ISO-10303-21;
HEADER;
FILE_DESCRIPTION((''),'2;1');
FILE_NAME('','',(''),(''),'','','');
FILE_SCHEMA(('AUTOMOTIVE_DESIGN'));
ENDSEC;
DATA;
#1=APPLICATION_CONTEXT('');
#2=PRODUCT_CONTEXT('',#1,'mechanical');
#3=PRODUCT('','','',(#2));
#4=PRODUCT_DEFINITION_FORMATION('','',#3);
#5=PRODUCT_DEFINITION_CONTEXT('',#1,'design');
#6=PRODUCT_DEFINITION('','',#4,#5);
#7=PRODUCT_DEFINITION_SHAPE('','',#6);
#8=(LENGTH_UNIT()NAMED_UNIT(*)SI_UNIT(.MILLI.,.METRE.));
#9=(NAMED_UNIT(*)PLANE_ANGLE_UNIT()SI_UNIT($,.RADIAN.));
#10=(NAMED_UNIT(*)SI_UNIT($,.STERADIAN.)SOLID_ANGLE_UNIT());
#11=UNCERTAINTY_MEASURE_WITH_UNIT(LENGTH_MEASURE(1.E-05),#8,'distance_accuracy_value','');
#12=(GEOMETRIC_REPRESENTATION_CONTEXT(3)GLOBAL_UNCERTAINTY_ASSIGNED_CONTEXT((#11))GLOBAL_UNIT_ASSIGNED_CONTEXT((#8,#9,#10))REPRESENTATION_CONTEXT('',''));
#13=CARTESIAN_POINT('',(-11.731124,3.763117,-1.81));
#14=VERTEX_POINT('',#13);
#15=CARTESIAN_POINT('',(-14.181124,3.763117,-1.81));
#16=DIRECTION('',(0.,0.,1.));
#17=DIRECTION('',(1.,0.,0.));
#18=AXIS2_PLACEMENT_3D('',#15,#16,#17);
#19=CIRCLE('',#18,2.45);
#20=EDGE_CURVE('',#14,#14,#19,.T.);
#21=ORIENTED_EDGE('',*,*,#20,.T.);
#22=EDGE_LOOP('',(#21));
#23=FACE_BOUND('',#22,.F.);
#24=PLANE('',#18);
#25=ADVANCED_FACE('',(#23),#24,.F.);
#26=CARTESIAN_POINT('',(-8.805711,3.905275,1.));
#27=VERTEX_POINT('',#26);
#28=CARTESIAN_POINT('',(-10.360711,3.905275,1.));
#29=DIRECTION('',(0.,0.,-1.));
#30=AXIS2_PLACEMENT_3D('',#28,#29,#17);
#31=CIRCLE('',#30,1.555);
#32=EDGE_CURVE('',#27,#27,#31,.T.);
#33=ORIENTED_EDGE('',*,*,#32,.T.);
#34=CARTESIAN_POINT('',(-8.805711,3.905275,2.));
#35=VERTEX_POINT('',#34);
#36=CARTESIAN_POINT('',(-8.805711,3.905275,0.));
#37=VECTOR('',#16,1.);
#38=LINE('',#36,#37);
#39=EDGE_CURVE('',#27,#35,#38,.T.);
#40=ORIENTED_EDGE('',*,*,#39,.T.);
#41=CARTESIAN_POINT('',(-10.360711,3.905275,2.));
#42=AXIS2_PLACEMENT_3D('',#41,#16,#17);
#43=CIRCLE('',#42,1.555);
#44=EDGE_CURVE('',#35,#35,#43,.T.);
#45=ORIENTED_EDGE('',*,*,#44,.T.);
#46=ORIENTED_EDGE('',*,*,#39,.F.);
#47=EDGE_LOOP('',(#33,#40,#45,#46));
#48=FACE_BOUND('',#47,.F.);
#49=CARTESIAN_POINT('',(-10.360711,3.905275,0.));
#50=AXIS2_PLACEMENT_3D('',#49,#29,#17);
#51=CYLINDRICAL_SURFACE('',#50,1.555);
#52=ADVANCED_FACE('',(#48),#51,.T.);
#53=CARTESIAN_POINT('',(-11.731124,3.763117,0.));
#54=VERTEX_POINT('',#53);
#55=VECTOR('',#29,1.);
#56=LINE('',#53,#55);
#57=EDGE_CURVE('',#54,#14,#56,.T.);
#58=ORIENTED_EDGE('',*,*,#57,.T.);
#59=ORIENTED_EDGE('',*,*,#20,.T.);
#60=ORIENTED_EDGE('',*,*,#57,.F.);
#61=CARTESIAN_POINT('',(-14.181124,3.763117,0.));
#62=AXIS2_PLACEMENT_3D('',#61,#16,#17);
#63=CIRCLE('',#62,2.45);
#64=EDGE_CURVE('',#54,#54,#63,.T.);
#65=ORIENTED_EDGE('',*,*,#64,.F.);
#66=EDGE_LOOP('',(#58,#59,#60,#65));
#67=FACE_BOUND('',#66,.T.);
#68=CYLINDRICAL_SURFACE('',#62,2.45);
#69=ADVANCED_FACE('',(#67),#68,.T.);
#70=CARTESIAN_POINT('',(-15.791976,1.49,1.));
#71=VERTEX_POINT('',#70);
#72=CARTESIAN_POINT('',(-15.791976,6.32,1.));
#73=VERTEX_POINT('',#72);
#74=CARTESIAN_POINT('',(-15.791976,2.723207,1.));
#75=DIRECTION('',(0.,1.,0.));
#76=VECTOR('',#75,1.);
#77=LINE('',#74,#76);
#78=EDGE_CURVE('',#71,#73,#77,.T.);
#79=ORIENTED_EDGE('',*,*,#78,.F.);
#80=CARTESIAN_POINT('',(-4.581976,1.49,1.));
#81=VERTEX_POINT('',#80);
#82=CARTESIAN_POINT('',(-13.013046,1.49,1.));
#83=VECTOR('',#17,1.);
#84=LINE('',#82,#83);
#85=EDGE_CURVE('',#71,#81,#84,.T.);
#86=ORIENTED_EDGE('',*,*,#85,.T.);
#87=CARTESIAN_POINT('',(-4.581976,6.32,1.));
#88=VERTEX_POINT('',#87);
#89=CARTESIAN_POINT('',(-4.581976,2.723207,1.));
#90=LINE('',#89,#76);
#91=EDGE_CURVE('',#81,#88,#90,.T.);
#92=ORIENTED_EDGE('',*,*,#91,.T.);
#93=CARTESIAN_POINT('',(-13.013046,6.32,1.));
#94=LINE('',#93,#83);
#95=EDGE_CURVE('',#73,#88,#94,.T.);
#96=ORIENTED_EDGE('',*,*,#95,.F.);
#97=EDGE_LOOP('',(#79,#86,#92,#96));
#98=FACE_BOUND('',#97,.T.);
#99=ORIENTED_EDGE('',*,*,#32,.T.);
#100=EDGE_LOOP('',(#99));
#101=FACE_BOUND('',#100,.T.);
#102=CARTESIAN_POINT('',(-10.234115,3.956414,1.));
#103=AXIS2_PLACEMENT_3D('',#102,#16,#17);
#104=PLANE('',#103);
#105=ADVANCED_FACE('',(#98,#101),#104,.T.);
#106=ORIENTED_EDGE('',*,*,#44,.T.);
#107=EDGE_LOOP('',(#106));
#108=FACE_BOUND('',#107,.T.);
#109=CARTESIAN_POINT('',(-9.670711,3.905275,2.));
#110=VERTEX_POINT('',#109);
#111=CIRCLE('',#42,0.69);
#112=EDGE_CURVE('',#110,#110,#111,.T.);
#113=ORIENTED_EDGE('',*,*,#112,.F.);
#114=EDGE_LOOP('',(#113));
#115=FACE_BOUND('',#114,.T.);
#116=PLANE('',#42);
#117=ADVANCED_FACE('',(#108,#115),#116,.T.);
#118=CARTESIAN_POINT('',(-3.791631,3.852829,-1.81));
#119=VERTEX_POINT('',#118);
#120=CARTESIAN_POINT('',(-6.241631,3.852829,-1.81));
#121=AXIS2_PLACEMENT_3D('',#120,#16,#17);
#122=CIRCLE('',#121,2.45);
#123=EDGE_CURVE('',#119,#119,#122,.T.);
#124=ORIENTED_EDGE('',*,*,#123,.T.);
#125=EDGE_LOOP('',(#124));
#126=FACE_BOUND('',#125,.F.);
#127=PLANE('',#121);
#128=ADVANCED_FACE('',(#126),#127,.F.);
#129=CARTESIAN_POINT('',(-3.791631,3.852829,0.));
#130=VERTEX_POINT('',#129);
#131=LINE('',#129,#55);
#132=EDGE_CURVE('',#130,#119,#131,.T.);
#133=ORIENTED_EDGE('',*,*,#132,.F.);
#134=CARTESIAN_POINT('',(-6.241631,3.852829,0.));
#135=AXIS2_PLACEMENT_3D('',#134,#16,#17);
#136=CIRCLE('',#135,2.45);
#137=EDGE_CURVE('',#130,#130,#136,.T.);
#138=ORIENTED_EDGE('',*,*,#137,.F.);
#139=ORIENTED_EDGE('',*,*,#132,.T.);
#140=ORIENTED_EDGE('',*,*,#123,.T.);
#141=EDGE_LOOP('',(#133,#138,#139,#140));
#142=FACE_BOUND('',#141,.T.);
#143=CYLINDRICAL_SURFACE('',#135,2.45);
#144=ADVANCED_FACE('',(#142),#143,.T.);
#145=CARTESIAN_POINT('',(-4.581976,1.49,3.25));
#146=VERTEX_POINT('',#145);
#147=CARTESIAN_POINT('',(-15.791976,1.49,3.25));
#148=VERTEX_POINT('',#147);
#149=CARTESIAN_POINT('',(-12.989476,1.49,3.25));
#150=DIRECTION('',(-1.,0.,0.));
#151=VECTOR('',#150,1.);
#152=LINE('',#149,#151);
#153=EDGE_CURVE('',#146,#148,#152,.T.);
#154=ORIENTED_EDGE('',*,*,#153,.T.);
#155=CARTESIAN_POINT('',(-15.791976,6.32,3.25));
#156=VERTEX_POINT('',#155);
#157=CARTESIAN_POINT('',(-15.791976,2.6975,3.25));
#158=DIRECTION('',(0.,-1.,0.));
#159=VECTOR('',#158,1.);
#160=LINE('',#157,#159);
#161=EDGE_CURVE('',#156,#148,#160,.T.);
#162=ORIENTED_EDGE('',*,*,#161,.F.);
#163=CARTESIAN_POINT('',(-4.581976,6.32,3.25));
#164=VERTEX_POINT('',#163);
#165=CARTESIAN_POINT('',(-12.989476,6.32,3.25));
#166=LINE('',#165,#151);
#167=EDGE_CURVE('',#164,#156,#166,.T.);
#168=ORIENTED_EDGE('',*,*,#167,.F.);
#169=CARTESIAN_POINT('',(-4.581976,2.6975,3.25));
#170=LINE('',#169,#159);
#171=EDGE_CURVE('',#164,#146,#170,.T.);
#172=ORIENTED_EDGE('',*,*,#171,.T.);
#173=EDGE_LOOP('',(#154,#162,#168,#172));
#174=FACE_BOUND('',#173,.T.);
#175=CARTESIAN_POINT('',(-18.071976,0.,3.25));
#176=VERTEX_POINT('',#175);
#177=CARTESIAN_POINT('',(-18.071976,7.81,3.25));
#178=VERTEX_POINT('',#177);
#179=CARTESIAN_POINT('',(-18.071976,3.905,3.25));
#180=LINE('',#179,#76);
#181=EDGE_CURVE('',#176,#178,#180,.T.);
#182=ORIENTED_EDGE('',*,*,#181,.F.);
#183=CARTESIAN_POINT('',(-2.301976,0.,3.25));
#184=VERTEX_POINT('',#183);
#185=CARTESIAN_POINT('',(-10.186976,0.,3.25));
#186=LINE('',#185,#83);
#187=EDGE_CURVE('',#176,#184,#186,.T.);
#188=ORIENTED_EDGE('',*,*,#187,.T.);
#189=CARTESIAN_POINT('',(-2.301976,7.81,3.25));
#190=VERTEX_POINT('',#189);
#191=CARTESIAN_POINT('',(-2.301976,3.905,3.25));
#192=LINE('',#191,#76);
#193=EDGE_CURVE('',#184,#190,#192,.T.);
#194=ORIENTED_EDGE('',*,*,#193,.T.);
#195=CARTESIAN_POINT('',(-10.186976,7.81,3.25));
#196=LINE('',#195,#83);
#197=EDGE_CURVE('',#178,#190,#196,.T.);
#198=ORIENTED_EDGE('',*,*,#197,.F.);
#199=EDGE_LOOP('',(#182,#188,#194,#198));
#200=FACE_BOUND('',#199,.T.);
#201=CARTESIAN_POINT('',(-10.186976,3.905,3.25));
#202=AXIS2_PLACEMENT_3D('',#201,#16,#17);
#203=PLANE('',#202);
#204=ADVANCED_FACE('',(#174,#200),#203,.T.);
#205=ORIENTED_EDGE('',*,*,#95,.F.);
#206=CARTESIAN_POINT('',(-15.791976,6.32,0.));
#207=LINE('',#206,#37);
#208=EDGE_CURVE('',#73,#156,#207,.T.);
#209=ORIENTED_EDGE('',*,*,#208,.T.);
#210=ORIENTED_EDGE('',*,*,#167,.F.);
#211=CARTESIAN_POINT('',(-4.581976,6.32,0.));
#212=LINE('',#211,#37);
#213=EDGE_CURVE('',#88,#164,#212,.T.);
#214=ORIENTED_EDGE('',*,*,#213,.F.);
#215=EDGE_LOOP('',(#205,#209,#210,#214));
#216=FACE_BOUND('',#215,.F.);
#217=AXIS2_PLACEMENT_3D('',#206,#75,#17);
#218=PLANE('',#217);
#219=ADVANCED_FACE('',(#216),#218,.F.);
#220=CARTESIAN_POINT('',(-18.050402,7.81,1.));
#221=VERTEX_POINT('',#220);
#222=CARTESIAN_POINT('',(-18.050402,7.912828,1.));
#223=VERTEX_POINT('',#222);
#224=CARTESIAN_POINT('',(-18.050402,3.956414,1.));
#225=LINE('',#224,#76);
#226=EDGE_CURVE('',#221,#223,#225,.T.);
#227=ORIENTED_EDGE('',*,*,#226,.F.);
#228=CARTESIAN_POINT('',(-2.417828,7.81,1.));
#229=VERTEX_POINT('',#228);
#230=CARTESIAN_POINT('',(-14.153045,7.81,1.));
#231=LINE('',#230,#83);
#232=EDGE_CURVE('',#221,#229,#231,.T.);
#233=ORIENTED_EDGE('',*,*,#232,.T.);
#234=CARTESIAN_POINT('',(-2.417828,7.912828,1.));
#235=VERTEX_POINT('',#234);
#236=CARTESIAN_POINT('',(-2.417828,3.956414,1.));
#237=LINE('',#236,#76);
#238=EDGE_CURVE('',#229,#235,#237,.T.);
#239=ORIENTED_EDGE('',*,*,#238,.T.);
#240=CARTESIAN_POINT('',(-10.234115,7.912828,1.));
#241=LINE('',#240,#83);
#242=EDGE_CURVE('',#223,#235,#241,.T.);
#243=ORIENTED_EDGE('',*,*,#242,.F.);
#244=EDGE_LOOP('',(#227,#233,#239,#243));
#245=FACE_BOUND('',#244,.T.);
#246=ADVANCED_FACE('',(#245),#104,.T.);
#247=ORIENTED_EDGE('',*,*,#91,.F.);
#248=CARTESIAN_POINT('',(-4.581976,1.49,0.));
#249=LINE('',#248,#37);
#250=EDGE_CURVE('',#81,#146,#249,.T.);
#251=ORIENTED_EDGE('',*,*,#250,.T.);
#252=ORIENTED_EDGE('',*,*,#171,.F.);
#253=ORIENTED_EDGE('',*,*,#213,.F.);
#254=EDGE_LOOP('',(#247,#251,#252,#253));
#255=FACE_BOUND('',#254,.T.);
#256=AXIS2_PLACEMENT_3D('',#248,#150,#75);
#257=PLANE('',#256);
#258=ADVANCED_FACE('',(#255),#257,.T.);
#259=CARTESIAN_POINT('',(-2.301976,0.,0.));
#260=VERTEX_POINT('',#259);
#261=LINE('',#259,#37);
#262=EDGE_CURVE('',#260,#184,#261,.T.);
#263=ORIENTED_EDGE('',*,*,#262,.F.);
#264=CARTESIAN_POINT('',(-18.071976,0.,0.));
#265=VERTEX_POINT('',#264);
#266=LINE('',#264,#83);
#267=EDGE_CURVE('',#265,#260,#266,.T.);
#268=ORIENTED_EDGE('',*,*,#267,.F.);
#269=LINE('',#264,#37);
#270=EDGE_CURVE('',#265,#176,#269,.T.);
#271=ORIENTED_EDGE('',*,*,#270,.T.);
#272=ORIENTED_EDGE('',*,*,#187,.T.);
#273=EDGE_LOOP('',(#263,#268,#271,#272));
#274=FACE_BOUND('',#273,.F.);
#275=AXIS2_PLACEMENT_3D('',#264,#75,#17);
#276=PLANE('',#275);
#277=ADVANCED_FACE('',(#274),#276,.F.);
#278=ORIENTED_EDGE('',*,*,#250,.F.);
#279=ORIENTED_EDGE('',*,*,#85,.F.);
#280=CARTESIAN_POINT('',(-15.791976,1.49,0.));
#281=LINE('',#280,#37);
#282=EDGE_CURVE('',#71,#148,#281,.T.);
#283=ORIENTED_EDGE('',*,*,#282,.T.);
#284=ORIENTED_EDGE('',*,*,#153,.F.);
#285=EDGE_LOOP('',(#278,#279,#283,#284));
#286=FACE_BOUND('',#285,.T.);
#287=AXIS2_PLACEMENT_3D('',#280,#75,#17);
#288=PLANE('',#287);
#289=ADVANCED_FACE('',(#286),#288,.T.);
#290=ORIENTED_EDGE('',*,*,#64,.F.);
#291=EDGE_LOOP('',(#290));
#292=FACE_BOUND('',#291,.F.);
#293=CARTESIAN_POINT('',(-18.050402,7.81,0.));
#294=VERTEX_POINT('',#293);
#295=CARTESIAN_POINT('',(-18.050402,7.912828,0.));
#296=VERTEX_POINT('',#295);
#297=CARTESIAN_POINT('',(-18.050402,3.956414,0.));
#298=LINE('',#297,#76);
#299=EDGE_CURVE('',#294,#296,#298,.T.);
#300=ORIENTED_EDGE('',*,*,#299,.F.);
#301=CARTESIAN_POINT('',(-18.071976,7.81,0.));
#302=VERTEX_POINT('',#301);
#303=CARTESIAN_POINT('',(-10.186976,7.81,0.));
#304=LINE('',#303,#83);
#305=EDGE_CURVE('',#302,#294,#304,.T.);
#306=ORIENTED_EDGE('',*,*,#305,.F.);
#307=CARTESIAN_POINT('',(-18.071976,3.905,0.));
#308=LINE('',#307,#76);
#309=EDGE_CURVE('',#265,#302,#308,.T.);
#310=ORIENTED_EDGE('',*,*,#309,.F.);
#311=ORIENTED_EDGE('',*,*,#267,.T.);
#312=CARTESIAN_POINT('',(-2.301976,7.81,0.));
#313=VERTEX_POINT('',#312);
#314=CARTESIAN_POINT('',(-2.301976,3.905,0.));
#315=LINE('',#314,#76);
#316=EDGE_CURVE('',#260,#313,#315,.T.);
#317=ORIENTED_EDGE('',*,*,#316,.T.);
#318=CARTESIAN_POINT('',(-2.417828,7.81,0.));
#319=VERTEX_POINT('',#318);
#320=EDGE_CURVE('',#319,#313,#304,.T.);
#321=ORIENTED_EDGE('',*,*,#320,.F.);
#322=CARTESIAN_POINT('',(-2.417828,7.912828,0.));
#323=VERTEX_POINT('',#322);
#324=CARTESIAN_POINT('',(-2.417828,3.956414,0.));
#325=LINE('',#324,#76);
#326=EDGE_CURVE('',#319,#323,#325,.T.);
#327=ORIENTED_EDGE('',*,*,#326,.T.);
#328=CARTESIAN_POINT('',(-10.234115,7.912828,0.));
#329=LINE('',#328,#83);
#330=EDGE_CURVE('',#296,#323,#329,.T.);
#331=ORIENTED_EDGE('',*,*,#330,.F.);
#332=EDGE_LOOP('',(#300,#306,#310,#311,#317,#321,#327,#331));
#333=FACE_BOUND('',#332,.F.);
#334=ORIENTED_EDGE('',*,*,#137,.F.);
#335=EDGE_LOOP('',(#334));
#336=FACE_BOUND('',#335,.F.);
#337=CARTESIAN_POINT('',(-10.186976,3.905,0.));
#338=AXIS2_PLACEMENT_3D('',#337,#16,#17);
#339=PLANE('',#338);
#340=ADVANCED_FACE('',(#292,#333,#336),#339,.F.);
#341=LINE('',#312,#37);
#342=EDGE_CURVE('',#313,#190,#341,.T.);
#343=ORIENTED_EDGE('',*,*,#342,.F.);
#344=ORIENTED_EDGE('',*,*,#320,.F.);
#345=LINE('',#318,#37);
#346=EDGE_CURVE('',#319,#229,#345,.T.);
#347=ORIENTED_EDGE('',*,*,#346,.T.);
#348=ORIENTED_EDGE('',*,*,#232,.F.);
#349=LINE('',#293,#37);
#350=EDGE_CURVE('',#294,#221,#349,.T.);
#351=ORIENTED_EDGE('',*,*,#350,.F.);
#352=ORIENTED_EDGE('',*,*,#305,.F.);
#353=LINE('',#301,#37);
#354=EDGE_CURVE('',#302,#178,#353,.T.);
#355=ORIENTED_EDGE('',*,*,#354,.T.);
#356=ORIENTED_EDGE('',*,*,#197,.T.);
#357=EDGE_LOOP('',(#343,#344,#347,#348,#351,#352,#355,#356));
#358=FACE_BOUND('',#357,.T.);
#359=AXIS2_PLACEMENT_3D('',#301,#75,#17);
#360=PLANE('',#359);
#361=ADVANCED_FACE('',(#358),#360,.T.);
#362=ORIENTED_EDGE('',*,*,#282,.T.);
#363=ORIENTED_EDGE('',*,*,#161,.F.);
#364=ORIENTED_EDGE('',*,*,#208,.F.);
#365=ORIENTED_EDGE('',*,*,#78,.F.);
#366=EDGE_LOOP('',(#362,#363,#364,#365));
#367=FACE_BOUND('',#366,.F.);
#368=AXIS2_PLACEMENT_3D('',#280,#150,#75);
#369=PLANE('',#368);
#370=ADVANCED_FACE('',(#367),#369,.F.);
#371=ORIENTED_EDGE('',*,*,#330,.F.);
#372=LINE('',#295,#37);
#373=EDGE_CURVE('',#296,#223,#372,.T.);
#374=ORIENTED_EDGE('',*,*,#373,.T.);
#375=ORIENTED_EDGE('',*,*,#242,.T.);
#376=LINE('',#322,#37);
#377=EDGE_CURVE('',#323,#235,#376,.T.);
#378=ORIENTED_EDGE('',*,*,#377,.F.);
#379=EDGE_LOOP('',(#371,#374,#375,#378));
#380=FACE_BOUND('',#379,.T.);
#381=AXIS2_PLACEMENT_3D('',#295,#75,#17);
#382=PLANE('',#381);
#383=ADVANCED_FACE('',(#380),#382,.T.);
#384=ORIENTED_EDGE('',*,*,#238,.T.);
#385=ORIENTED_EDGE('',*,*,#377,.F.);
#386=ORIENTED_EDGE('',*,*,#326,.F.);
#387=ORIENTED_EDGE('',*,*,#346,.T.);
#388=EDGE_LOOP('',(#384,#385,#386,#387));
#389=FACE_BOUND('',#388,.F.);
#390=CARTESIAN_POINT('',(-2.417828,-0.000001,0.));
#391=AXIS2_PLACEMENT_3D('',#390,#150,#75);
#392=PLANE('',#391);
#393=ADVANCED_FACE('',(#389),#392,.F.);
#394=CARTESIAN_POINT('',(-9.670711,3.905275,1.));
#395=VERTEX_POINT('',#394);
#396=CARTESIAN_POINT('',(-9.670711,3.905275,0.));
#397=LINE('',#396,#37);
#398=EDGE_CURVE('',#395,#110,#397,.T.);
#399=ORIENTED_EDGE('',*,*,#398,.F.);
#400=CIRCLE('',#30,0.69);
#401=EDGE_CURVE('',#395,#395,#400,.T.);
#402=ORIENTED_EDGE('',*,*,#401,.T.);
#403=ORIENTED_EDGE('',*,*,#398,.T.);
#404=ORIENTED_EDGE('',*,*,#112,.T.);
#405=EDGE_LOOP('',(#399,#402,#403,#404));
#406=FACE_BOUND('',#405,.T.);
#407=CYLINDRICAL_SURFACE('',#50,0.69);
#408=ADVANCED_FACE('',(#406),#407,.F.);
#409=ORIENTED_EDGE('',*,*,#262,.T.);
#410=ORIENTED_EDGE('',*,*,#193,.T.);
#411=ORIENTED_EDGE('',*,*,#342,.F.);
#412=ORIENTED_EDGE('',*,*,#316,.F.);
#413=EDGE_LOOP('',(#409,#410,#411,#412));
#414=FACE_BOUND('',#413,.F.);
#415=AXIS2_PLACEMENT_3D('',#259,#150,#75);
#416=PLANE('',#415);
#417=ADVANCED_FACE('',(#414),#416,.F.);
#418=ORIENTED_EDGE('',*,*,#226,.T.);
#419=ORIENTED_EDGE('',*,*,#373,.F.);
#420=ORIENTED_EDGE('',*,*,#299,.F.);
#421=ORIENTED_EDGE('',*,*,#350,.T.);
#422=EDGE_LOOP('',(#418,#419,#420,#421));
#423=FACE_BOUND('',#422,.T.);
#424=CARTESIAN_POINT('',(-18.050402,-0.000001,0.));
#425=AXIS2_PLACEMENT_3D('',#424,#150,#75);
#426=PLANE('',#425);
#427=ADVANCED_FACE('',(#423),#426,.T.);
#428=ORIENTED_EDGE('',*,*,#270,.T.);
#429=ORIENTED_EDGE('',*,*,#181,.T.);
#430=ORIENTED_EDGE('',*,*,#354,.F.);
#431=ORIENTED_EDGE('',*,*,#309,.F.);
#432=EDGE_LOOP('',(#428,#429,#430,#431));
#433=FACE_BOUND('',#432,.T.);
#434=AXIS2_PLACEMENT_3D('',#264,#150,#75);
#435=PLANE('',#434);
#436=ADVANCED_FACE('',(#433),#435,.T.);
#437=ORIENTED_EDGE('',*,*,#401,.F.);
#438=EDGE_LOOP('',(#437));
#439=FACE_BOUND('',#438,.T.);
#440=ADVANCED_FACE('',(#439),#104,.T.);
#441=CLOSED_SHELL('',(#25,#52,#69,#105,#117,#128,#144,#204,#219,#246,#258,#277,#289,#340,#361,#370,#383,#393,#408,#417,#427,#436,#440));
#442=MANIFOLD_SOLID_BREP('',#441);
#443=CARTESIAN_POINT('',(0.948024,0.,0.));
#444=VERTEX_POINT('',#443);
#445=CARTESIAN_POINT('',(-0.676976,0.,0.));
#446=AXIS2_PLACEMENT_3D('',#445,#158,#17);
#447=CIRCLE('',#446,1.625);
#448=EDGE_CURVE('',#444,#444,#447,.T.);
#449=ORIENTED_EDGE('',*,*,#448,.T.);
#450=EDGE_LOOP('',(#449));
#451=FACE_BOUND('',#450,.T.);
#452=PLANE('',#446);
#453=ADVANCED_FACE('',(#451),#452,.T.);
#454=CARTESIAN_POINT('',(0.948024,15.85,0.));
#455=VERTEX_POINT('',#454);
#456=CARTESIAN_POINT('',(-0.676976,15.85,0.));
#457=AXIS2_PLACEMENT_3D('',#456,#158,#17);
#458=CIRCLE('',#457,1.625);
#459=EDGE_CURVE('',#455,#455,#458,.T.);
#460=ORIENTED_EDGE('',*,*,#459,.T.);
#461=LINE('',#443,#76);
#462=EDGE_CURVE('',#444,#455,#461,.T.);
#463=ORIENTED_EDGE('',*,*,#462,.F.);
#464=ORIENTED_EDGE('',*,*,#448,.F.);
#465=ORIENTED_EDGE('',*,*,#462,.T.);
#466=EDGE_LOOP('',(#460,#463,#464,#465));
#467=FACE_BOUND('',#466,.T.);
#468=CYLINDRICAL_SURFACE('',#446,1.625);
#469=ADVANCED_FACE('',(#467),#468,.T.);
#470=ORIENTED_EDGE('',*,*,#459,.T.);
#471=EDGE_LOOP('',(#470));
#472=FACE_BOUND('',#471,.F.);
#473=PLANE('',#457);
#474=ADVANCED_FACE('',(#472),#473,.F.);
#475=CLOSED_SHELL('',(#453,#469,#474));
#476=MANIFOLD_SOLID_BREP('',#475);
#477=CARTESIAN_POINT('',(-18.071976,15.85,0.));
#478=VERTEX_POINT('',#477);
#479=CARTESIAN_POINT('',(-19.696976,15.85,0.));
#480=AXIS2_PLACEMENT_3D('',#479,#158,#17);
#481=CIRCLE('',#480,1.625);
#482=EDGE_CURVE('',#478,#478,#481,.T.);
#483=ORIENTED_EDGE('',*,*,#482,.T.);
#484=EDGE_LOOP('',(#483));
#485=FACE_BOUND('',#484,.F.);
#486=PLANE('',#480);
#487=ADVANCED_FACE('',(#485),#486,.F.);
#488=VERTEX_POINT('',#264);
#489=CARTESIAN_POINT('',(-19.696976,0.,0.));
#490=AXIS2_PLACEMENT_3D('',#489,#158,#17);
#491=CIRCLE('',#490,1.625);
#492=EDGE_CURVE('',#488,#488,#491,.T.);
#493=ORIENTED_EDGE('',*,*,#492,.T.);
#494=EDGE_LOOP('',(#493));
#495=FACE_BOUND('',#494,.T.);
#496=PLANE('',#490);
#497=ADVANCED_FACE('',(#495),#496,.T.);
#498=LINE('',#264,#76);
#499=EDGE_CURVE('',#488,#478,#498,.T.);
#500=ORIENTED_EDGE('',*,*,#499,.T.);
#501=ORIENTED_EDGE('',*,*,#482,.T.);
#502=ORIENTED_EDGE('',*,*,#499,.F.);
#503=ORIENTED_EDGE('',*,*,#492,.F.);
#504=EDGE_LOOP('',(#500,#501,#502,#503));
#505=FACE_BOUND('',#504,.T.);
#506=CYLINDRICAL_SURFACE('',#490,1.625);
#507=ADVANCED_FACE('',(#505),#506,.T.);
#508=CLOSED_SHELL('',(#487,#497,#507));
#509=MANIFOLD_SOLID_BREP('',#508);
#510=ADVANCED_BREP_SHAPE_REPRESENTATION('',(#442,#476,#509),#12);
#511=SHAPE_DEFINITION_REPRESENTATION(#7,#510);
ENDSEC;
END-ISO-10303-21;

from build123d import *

# Parameters (mm, degrees)
F0_W      = 15.77
F0_H      = 7.81
F1_DEPTH  = 3.25
F2_R      = 1.625
F3_DEPTH  = 15.85
F4_W      = 11.21
F4_H      = 4.83
F5_DEPTH  = 25
F6_W      = 15.632574
F6_H      = 7.912829
F7_DEPTH  = 1
F8_R      = 2.45
F9_DEPTH  = 1.81
F10_R     = 1.555
F10_R_2   = 0.69
F11_DEPTH = 2


with BuildPart() as f1:
    # F0 (on Top) → F1 (new body)
    with BuildSketch(Plane.XY):
        with Locations((-10.186976, 3.905)):
            Rectangle(F0_W, F0_H)
    extrude(amount=F1_DEPTH)

    # F4 (on Top) → F5 (cut)
    with BuildSketch(Plane.XY):
        with Locations((-10.186976, 3.905)):
            Rectangle(F4_W, F4_H)
    extrude(amount=F5_DEPTH, mode=Mode.SUBTRACT)

    # F6 (on Top) → F7 (join)
    with BuildSketch(Plane.XY):
        with Locations((-10.234115, 3.956414)):
            Rectangle(F6_W, F6_H)
    extrude(amount=F7_DEPTH)

    # F8 (on Top) → F9 (join)
    with BuildSketch(Plane.XY):
        with Locations((-14.181124, 3.763117)):
            Circle(F8_R)
        with Locations((-6.241631, 3.852829)):
            Circle(F8_R)
    extrude(amount=-F9_DEPTH)

    # F10 (on Top) → F11 (join)
    with BuildSketch(Plane.XY):
        with Locations((-10.360711, 3.905275)):
            Circle(F10_R)
        with Locations((-10.360711, 3.905275)):
            Circle(F10_R_2, mode=Mode.SUBTRACT)
    extrude(amount=F11_DEPTH)


with BuildPart() as f3:
    # F2 (on Front) → F3 (new body)
    with BuildSketch(Plane.XZ):
        with Locations((-19.696976, 0)):
            Circle(F2_R)
        with Locations((-0.676976, 0)):
            Circle(F2_R)
    extrude(amount=-F3_DEPTH)


solid = Compound([f1.part, f3.part])
